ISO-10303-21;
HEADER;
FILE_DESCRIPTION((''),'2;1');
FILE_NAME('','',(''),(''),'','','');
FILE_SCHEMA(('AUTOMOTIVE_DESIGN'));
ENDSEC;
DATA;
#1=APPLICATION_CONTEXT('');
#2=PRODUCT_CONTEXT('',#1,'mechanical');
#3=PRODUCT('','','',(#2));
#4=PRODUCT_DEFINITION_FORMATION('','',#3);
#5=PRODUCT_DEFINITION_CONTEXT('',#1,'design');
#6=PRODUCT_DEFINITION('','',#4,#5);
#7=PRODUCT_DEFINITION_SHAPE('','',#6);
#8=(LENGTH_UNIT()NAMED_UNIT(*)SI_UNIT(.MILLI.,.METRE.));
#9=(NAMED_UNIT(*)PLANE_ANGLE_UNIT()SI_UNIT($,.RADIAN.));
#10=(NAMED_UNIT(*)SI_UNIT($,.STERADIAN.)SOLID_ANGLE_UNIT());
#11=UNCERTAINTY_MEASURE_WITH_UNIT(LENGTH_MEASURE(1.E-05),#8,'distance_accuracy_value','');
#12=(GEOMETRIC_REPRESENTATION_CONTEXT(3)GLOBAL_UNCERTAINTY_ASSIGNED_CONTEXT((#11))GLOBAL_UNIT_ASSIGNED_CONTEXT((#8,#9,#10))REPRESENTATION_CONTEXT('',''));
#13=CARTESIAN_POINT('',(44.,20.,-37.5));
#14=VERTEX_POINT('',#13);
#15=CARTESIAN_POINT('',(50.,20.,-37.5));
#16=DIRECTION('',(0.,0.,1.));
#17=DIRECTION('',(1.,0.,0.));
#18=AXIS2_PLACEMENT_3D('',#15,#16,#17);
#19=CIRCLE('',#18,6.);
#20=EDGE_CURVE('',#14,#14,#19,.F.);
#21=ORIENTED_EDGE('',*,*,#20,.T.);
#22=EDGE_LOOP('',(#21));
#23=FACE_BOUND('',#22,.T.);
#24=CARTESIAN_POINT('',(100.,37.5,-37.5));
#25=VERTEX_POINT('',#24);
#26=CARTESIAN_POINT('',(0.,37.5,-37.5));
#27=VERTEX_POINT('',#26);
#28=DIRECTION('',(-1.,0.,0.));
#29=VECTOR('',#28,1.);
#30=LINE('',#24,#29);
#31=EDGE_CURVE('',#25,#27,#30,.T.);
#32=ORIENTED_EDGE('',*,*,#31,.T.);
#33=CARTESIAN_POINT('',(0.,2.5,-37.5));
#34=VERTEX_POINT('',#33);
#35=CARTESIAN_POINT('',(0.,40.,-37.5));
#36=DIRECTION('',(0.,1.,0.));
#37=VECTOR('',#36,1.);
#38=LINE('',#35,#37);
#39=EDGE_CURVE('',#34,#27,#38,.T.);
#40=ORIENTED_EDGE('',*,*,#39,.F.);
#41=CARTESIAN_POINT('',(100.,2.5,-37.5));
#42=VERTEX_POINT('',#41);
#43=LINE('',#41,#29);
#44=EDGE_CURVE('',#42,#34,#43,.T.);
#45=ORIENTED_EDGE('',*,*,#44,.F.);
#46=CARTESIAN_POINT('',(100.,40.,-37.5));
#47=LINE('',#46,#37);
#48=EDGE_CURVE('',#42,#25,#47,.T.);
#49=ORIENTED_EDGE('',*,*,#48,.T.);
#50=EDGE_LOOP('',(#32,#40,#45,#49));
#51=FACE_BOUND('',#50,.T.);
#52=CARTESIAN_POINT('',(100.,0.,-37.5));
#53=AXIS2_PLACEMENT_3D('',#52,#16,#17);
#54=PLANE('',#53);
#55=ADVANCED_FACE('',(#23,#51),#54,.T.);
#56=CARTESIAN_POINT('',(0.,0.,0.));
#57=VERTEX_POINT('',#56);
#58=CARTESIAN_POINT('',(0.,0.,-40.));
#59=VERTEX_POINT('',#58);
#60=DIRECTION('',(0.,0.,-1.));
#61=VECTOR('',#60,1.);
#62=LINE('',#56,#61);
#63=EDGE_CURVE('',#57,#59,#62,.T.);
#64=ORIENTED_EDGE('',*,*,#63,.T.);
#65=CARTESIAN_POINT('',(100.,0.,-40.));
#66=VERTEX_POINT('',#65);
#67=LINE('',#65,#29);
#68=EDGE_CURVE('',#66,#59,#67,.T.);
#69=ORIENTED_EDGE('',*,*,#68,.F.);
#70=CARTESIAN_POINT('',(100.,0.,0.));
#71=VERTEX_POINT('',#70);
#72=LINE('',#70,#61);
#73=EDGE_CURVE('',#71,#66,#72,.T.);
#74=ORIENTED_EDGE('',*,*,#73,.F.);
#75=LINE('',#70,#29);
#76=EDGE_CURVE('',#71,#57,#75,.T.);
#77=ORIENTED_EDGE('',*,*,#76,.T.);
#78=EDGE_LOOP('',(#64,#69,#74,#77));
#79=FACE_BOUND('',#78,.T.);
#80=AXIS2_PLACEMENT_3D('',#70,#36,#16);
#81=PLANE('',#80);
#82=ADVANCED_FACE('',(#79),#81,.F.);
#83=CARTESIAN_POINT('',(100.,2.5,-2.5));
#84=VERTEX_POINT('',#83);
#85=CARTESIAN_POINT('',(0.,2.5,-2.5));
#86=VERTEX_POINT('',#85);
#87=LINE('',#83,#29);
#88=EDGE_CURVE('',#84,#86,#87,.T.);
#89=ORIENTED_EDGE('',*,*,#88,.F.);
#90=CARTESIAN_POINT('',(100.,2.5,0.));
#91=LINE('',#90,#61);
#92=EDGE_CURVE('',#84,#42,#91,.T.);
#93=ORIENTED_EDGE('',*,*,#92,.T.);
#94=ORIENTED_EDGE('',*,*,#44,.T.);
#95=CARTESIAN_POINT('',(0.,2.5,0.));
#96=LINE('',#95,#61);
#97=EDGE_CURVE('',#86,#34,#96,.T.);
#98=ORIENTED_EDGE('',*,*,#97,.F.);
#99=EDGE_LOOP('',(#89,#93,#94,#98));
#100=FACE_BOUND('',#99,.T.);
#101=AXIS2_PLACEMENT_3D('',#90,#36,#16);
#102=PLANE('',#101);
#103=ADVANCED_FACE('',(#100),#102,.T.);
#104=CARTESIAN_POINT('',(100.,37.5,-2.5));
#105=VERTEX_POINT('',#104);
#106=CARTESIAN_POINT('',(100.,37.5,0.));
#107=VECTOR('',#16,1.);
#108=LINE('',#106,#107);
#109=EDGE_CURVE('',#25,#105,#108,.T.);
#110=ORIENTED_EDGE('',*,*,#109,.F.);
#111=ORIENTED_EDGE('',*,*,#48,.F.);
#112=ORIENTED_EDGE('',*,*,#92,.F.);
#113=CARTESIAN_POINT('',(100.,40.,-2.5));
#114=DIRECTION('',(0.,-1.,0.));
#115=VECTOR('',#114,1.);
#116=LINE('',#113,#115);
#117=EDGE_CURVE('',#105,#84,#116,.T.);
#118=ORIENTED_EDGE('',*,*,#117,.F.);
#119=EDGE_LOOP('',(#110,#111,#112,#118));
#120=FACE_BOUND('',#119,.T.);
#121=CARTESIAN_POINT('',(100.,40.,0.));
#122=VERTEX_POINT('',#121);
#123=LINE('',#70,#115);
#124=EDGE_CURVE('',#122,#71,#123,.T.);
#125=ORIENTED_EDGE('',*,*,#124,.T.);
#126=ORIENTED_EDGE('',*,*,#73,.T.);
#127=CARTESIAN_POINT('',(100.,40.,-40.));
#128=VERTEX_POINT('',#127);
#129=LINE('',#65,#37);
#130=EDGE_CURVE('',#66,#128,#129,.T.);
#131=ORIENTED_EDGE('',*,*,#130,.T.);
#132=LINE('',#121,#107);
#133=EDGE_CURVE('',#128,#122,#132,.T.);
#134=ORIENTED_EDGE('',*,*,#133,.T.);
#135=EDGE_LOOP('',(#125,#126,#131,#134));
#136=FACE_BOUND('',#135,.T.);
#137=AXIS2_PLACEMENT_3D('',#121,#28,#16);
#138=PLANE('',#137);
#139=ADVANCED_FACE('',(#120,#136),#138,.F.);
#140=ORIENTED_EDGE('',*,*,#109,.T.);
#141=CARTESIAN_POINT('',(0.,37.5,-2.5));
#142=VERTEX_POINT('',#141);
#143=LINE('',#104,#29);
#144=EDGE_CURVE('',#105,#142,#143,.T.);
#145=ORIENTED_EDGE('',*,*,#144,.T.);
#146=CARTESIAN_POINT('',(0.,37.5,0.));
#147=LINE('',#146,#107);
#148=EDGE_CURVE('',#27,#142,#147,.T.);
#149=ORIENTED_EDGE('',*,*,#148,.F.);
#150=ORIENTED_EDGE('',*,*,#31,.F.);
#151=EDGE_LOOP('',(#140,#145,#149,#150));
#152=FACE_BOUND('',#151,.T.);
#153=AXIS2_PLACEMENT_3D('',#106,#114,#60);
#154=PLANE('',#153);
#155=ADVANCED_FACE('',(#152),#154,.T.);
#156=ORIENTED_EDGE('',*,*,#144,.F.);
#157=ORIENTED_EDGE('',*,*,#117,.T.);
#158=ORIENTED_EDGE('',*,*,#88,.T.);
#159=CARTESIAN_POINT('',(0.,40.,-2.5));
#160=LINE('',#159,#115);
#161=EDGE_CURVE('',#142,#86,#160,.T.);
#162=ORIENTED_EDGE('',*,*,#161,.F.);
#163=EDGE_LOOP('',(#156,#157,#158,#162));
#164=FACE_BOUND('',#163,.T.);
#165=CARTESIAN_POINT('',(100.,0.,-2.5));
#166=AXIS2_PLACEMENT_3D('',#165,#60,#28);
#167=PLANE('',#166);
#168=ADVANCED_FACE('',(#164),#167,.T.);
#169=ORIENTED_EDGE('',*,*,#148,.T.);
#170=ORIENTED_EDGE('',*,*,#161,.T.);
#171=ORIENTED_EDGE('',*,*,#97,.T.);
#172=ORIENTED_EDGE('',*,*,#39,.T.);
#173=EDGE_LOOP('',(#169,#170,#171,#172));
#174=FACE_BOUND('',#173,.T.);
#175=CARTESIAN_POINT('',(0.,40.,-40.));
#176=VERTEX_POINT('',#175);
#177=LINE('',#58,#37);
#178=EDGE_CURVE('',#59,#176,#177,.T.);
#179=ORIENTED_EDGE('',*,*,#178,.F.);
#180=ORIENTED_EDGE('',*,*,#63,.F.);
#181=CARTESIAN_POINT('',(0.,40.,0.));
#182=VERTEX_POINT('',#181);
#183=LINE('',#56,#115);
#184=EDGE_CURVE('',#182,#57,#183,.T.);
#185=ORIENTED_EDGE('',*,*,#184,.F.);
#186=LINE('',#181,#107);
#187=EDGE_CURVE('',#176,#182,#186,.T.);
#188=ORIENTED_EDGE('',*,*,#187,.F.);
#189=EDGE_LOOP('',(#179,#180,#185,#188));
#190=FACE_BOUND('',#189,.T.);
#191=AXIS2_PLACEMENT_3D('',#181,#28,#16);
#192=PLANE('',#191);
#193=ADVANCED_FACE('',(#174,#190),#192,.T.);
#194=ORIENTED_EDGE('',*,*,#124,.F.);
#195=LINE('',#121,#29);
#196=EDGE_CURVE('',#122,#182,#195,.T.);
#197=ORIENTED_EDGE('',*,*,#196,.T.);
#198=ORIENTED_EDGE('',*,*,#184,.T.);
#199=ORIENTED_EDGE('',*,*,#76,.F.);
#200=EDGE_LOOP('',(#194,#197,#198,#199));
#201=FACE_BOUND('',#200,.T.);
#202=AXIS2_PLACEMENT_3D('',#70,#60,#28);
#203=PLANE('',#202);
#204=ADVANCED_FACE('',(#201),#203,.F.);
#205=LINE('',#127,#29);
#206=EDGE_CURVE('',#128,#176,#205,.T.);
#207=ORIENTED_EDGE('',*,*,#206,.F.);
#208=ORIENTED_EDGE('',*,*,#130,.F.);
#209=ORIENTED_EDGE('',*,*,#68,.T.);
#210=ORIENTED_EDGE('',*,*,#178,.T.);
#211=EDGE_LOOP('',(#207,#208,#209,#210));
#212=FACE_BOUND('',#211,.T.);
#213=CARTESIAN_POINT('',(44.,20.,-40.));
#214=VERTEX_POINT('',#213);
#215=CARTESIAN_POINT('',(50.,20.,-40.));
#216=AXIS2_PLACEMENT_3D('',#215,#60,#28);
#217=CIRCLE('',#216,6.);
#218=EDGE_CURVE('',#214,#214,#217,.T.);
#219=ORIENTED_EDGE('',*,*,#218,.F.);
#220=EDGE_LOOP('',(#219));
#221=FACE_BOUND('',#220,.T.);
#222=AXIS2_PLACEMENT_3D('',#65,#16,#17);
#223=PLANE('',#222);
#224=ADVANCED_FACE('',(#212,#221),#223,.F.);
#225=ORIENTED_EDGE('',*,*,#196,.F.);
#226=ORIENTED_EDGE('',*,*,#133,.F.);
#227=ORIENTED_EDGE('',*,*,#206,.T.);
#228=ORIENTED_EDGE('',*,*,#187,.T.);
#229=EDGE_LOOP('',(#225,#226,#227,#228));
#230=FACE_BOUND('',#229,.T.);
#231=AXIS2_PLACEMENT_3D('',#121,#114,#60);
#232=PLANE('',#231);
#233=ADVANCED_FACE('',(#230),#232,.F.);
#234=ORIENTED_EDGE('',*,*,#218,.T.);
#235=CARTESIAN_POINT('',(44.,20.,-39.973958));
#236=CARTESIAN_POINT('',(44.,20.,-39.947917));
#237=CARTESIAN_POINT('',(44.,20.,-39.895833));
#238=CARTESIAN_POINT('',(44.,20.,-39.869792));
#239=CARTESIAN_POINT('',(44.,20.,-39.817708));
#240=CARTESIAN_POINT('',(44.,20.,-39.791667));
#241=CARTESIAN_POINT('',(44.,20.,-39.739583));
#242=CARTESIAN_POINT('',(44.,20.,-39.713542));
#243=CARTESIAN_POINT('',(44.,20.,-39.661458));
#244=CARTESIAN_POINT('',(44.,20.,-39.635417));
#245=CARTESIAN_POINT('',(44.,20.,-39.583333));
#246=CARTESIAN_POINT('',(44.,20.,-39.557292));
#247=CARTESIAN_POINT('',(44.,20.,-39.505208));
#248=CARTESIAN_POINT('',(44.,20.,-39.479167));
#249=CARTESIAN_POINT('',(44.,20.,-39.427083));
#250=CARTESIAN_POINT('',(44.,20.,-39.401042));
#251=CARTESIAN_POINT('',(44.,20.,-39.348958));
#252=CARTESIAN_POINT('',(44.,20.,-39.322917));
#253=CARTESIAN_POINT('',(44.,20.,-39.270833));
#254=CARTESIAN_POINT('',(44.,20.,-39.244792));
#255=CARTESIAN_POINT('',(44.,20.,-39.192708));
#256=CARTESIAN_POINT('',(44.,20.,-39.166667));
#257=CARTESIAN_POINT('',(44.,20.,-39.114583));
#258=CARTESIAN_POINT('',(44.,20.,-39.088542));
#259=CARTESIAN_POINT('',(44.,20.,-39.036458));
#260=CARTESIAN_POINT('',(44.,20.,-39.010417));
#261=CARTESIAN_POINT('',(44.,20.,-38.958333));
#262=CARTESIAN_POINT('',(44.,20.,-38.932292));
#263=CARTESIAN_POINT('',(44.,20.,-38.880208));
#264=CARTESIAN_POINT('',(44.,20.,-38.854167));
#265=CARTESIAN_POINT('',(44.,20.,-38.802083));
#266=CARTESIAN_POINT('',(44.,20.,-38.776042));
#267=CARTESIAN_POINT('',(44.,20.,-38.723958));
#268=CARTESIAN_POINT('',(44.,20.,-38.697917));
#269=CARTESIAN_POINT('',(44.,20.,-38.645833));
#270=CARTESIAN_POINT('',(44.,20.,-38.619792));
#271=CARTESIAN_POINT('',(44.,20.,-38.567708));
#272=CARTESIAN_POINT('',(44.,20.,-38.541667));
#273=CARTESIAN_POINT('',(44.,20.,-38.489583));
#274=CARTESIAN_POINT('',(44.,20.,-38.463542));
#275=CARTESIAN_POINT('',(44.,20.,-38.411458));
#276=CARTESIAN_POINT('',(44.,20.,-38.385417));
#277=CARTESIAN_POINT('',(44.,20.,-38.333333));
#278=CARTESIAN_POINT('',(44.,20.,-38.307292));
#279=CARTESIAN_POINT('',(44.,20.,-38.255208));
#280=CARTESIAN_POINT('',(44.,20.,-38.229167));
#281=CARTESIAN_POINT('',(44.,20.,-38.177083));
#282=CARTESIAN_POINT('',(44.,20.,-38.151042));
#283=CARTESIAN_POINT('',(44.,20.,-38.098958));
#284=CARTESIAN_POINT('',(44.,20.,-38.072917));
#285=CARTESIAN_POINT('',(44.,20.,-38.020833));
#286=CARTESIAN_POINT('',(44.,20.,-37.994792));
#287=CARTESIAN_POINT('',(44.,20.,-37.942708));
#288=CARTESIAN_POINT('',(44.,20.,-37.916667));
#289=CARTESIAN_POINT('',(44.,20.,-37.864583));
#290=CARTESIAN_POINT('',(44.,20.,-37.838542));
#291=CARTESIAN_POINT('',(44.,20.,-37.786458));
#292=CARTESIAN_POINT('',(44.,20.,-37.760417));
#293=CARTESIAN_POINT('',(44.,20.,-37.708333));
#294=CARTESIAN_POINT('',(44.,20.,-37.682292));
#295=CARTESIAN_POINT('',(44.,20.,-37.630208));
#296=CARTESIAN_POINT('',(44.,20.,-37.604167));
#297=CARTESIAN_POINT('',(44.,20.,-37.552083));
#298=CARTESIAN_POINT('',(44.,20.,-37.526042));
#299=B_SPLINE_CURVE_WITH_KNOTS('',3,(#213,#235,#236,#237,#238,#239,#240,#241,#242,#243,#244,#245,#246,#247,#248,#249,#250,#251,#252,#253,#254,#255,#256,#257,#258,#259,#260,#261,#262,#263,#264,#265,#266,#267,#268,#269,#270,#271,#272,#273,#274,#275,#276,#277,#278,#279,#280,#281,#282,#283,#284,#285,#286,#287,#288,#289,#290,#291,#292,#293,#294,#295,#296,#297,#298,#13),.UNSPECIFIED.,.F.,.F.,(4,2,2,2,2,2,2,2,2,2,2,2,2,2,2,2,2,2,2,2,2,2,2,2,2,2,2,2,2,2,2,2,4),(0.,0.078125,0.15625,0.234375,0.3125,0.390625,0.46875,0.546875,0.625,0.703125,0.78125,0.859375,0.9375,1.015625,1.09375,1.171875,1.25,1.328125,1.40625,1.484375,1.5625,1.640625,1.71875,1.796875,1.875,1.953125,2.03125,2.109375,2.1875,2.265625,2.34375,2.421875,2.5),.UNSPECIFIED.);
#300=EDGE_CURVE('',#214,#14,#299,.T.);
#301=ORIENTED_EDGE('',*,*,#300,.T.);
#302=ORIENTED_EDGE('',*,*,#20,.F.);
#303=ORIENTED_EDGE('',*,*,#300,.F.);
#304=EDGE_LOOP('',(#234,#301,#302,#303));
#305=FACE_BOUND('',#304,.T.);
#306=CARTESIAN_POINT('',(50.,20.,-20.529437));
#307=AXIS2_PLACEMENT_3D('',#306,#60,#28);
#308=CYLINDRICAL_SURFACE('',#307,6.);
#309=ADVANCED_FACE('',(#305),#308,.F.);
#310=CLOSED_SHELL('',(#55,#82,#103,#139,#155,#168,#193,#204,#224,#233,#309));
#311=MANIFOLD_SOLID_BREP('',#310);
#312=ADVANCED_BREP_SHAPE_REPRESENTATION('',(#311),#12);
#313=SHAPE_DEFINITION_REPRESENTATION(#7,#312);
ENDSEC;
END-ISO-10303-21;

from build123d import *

# Parameters (mm, degrees)
SKETCH2_W           = 40
SKETCH2_H           = 40
BOSS_EXTRUDE1_DEPTH = 100
SHELL1_T            = -2.5
SKETCH3_R           = 6
CUT_EXTRUDE1_DEPTH  = 2.5


with BuildPart() as part:
    # Sketch2 → Boss-Extrude1 (new body)
    with BuildSketch(Plane(origin=(0, 0, 0), x_dir=(0, 0, -1), z_dir=(1, 0, 0))):
        with Locations((20, 20)):
            Rectangle(SKETCH2_W, SKETCH2_H)
    extrude(amount=BOSS_EXTRUDE1_DEPTH)

    # Shell1
    shell1_openings = [part.faces().sort_by_distance(p)[0] for p in [
        (100, 20, -20),
        (0, 20, -20),
    ]]
    offset(amount=SHELL1_T, openings=shell1_openings, kind=Kind.INTERSECTION)

    # Sketch3 → Cut-Extrude1 (cut)
    with BuildSketch(Plane(origin=(0, 0, -40), x_dir=(-1, 0, 0), z_dir=(0, 0, -1))):
        with Locations((-50, 20)):
            Circle(SKETCH3_R)
    extrude(amount=-CUT_EXTRUDE1_DEPTH, mode=Mode.SUBTRACT)


solid = part.part
